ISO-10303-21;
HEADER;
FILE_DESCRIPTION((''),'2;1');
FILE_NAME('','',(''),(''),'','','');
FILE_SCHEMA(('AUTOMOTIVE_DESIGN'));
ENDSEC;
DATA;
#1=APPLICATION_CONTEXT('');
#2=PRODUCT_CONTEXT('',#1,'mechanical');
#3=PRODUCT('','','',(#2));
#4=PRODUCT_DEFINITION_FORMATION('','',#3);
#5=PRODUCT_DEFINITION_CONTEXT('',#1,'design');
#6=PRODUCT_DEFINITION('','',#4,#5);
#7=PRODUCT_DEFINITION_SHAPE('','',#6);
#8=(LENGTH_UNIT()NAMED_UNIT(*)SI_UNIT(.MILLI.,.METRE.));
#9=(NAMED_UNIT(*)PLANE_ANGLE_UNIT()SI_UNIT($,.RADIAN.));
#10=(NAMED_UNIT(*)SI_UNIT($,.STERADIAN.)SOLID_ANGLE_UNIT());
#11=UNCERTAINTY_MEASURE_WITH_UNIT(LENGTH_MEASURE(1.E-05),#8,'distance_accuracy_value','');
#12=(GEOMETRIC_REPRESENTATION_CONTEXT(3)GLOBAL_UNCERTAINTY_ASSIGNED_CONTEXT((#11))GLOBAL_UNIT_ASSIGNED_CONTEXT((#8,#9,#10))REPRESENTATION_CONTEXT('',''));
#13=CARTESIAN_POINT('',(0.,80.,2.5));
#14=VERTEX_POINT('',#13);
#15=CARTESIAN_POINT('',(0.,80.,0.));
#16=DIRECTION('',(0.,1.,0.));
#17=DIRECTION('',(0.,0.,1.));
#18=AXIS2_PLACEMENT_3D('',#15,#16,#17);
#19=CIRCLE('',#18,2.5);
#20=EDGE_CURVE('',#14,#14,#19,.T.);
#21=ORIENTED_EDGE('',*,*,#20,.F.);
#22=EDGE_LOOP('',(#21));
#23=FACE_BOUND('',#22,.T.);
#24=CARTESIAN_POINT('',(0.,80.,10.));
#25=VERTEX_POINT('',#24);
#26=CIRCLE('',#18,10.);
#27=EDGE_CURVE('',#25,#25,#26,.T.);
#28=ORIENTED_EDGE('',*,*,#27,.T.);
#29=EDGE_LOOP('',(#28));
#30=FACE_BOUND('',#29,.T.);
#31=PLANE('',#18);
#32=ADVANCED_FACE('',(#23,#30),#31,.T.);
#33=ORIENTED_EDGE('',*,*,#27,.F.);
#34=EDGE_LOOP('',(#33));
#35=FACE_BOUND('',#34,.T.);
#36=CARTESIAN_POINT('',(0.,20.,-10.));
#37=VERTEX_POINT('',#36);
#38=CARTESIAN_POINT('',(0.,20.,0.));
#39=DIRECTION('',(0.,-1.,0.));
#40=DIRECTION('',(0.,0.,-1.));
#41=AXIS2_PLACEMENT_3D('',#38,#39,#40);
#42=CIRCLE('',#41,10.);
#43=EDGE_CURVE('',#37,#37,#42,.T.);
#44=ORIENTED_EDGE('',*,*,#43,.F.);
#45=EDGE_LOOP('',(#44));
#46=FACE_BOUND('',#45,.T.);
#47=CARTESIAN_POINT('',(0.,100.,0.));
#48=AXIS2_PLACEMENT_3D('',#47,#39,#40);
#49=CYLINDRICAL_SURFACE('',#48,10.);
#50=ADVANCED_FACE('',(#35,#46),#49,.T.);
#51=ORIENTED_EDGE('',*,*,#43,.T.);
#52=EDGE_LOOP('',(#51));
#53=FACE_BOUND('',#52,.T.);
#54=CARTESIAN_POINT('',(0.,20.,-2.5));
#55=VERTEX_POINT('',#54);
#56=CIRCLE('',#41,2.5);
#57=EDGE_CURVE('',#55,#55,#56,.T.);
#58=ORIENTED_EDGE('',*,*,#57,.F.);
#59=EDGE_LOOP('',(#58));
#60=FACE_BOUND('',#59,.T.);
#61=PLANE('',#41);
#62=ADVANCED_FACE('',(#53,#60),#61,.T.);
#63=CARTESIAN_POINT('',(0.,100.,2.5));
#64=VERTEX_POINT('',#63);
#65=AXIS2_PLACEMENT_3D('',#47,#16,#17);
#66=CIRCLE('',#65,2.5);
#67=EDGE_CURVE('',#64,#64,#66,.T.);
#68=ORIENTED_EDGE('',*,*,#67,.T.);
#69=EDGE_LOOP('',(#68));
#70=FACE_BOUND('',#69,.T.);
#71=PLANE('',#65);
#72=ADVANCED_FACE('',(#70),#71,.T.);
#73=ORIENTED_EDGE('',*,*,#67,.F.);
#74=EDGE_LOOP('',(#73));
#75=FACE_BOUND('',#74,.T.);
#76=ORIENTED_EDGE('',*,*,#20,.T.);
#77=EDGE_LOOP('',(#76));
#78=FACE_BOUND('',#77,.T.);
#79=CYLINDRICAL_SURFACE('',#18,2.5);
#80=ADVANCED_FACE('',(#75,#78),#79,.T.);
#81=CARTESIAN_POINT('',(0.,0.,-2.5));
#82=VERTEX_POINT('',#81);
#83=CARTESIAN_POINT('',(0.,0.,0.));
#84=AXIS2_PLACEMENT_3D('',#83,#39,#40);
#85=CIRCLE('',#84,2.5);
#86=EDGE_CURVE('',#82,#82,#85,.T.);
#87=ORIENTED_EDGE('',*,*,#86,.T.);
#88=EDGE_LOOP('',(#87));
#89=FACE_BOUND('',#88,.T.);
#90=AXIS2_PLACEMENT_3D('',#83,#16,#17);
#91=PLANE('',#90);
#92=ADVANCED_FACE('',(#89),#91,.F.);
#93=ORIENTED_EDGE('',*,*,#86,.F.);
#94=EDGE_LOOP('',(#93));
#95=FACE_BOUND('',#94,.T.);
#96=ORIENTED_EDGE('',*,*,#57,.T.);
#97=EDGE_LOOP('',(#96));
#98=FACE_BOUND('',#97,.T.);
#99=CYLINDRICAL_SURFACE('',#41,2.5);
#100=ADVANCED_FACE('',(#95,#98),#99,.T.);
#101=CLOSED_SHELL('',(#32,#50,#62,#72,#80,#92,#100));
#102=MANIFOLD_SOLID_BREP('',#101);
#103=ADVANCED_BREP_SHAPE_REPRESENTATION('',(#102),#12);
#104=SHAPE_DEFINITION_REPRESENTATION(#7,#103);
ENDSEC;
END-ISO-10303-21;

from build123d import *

# Parameters (mm, degrees)
SKETCH1_R           = 10
BOSS_EXTRUDE1_DEPTH = 100
SKETCH2_R           = 10
SKETCH2_R_2         = 2.5
CUT_EXTRUDE2_DEPTH  = 20
SKETCH3_R           = 10
SKETCH3_R_2         = 2.5
CUT_EXTRUDE3_DEPTH  = 20


with BuildPart() as part:
    # Sketch1 → Boss-Extrude1 (new body)
    with BuildSketch(Plane(origin=(0, 0, 0), x_dir=(1, 0, 0), z_dir=(0, 1, 0))):
        Circle(SKETCH1_R)
    extrude(amount=BOSS_EXTRUDE1_DEPTH)

    # Sketch2 → Cut-Extrude2 (cut)
    with BuildSketch(Plane(origin=(0, 100, 0), x_dir=(1, 0, 0), z_dir=(0, 1, 0))):
        Circle(SKETCH2_R)
        Circle(SKETCH2_R_2, mode=Mode.SUBTRACT)
    extrude(amount=-CUT_EXTRUDE2_DEPTH, mode=Mode.SUBTRACT)

    # Sketch3 → Cut-Extrude3 (cut)
    with BuildSketch(Plane.XZ):
        Circle(SKETCH3_R)
        Circle(SKETCH3_R_2, mode=Mode.SUBTRACT)
    extrude(amount=-CUT_EXTRUDE3_DEPTH, mode=Mode.SUBTRACT)


solid = part.part
